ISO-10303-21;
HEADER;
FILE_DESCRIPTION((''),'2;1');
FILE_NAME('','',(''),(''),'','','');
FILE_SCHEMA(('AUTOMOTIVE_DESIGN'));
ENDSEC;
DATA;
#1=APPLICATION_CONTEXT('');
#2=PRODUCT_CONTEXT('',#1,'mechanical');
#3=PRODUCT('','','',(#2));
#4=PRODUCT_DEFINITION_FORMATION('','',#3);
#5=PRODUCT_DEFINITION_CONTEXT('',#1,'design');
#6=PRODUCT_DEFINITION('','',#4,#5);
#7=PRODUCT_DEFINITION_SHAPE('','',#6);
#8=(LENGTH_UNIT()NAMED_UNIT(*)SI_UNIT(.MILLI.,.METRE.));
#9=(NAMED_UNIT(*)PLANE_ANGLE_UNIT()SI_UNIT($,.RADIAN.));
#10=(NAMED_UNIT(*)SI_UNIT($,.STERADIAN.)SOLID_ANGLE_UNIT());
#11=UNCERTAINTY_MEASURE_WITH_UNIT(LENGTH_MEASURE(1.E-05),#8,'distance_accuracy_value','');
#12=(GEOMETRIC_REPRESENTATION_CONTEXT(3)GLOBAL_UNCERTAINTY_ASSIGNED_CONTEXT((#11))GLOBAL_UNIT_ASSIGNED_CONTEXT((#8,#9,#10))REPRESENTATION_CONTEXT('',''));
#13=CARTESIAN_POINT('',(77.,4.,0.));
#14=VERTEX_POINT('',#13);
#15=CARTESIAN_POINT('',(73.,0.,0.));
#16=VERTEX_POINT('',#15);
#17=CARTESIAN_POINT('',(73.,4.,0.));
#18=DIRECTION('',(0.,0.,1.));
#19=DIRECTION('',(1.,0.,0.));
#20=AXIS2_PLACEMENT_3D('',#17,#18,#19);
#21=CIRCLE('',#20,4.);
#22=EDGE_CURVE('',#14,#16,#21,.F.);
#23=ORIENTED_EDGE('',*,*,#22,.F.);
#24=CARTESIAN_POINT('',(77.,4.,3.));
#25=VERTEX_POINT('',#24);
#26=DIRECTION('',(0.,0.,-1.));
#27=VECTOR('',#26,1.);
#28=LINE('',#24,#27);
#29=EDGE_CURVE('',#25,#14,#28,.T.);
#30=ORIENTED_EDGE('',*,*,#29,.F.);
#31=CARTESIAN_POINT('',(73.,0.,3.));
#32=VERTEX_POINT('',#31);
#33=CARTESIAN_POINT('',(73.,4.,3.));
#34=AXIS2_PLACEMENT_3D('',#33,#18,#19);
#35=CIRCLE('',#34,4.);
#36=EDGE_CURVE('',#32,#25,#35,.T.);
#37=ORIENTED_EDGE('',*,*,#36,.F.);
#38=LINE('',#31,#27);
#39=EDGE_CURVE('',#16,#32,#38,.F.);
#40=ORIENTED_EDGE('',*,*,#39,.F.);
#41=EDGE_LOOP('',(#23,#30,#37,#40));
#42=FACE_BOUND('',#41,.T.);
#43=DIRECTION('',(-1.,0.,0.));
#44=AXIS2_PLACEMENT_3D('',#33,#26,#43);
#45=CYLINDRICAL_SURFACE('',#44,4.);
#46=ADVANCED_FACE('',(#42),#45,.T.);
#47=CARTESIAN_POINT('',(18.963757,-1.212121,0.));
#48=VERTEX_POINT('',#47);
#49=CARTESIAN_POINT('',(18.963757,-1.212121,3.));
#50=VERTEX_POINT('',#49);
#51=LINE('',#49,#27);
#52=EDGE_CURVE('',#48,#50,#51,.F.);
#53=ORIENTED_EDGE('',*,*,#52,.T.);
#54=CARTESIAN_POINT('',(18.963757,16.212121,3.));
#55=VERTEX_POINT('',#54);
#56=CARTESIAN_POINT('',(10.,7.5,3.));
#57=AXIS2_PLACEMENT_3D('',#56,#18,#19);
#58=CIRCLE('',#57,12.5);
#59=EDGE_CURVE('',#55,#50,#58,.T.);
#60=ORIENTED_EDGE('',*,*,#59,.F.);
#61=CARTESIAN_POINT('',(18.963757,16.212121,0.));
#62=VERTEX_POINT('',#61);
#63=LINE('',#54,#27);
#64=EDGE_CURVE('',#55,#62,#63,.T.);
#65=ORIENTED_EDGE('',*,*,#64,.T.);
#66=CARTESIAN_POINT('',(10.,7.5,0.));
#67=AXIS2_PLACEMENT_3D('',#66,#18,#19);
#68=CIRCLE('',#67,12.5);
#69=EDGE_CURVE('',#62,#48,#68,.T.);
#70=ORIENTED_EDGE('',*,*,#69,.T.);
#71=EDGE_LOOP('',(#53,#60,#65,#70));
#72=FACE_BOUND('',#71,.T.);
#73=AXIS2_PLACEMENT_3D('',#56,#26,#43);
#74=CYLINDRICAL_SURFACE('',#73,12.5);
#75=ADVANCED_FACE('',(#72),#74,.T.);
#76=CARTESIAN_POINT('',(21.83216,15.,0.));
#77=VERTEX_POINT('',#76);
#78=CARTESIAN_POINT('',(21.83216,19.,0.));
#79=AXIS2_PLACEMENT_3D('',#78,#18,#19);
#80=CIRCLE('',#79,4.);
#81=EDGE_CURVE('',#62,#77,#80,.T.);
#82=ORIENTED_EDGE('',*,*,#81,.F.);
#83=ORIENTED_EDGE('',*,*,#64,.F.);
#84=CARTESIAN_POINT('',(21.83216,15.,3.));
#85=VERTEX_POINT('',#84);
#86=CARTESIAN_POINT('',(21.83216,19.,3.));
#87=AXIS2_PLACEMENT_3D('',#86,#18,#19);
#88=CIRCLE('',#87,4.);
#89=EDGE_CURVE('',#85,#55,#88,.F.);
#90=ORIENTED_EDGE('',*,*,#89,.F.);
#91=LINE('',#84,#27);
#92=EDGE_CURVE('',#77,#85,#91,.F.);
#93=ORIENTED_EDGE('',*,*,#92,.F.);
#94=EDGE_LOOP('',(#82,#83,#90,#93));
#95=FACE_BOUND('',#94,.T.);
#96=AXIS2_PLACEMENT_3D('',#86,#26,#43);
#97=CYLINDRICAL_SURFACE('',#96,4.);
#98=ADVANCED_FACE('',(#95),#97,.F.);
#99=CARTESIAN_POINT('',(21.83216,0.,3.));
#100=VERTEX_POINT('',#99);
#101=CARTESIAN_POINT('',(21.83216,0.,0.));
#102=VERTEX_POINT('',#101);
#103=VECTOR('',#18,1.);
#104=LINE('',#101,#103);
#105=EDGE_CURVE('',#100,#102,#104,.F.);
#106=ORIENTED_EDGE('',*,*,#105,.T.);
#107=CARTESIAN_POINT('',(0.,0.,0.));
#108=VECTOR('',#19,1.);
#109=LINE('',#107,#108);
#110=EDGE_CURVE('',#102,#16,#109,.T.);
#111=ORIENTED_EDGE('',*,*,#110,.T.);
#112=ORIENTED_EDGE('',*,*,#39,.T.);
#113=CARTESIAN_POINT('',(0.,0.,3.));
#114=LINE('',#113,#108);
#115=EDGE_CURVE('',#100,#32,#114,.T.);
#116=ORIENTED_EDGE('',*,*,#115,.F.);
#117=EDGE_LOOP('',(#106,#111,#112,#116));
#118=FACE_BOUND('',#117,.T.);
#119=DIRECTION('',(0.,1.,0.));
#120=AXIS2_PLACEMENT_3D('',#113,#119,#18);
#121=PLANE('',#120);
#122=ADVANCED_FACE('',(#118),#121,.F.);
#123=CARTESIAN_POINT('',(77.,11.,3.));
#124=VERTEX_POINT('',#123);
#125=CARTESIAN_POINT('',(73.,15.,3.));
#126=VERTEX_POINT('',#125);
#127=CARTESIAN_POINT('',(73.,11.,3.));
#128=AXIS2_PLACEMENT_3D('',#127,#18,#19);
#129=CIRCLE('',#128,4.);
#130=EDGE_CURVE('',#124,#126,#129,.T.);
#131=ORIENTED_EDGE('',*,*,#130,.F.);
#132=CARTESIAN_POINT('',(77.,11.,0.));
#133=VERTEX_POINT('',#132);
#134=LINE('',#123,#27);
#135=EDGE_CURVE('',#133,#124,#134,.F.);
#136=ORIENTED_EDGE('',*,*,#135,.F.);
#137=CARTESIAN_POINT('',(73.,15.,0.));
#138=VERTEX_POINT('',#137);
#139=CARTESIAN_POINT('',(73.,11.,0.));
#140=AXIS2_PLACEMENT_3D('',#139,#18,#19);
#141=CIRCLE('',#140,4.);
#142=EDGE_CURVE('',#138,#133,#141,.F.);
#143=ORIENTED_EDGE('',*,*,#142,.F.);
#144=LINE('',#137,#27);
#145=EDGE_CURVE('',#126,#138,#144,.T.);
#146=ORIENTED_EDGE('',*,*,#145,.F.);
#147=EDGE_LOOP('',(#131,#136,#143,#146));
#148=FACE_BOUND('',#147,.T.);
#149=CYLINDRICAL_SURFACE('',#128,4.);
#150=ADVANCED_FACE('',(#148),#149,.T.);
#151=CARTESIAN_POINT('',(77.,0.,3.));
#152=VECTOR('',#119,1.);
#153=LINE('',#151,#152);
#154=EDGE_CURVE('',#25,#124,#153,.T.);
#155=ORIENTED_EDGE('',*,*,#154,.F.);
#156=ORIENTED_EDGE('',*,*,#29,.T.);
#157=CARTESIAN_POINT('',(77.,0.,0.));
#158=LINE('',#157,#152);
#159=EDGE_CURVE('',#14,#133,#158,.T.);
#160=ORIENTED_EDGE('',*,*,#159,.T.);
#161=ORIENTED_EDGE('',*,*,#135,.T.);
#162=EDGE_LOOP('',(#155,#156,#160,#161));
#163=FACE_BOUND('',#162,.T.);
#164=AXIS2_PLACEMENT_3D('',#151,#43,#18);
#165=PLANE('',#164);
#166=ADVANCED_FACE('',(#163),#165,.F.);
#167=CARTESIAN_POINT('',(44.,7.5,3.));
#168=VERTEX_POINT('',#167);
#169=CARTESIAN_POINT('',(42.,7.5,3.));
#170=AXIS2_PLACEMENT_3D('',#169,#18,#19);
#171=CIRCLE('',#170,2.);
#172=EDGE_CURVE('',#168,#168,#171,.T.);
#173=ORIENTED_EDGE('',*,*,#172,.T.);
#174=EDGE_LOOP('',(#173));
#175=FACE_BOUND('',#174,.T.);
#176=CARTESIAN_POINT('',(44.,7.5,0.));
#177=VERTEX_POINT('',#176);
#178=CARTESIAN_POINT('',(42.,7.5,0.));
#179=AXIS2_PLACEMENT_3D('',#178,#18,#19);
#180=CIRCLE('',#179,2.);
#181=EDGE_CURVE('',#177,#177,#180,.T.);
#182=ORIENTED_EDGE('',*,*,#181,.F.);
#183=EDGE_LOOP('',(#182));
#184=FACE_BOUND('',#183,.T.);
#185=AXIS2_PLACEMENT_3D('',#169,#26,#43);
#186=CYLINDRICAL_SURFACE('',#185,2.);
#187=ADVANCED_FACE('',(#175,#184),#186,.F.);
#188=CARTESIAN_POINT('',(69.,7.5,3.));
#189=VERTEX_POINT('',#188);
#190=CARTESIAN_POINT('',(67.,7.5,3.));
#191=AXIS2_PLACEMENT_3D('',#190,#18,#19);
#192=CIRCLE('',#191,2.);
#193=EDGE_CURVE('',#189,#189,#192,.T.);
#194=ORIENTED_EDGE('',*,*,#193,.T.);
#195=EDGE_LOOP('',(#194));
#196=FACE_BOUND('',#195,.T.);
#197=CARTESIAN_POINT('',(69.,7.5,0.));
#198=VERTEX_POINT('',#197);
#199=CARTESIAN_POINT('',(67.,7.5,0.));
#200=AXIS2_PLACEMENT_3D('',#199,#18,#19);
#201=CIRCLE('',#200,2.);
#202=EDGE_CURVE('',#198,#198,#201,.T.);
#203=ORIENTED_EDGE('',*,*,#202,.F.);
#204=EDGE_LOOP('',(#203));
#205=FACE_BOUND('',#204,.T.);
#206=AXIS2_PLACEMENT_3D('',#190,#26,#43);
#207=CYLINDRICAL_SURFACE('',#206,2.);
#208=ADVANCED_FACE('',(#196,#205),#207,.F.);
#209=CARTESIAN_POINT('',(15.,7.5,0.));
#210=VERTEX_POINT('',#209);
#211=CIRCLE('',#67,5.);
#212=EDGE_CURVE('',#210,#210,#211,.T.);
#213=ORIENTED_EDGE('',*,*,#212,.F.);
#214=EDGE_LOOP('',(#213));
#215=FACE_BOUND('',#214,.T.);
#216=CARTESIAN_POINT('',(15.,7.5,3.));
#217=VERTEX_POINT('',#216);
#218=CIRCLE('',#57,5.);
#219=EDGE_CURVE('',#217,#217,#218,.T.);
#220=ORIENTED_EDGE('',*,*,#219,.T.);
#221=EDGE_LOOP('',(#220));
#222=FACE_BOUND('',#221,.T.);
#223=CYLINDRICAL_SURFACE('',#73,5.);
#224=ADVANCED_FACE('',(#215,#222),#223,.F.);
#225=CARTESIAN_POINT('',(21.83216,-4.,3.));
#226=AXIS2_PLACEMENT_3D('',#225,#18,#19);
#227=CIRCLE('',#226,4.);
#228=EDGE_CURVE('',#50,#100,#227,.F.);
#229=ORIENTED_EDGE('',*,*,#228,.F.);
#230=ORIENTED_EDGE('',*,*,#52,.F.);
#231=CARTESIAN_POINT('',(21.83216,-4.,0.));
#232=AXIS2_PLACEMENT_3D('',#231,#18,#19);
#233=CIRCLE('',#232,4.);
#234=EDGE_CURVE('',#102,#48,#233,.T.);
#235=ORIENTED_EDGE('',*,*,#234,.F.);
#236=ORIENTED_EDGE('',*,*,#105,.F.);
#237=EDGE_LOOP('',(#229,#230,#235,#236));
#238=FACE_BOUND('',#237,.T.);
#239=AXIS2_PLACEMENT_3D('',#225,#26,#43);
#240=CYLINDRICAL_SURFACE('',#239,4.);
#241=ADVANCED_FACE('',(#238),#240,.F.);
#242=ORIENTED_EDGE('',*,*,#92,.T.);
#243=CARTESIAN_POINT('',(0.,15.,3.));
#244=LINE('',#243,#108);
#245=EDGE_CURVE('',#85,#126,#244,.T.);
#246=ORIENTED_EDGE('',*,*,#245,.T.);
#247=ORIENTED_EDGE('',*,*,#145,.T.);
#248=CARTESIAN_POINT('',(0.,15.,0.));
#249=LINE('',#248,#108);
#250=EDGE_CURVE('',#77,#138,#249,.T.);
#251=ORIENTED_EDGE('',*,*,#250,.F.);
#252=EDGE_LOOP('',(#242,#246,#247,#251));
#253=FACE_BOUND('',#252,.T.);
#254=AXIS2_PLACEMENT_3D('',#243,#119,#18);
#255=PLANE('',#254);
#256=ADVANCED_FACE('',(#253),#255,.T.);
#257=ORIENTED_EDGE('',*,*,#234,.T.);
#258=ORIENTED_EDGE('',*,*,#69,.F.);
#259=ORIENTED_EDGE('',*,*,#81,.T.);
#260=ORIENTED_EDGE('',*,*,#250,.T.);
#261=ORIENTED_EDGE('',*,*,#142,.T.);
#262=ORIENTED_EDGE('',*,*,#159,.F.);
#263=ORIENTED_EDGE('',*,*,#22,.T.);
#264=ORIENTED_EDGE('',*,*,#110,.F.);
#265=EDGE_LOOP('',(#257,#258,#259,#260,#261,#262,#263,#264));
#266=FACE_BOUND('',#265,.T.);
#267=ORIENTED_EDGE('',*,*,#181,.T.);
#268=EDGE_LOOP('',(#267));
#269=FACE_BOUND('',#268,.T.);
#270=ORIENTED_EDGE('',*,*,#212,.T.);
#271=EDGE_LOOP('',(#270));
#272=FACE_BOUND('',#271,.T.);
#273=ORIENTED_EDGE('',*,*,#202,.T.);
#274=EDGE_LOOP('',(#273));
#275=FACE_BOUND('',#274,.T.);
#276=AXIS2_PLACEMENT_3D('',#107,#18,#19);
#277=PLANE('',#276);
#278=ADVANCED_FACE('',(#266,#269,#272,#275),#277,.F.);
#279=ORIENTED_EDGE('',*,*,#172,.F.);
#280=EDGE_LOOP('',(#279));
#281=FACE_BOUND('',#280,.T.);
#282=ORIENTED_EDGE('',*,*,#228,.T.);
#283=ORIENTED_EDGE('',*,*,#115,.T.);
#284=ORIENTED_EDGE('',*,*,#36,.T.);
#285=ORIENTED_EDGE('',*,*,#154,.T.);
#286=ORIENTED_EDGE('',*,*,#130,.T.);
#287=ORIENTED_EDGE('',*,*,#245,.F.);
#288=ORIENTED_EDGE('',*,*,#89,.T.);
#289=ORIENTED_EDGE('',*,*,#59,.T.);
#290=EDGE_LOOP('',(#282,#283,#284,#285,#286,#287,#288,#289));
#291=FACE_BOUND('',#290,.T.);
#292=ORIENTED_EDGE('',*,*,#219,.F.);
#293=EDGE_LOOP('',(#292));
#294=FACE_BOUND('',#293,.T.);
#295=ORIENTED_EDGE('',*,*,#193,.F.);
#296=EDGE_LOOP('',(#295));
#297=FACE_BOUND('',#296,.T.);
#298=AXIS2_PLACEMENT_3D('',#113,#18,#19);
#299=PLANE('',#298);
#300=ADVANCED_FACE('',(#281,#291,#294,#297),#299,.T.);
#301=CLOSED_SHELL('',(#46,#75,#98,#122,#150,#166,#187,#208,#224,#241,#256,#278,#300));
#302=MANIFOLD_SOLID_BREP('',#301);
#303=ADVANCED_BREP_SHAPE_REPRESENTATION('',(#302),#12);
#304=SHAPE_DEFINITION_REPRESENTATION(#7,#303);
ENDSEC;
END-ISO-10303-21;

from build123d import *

# Parameters (mm, degrees)
SKETCH1_R           = 5
SKETCH1_R_2         = 2
BOSS_EXTRUDE1_DEPTH = 3
FILLET2_R           = 4


with BuildPart() as part:
    # Sketch1 → Boss-Extrude1 (new body)
    with BuildSketch(Plane.XY):
        with BuildLine():
            Line((20, 0), (77, 0))
            Line((77, 0), (77, 15))
            Line((77, 15), (20, 15))
            ThreePointArc((20, 15), (-2.5, 7.5), (20, 0))
        make_face()
        with Locations((10, 7.5)):
            Circle(SKETCH1_R, mode=Mode.SUBTRACT)
        with Locations((67, 7.5)):
            Circle(SKETCH1_R_2, mode=Mode.SUBTRACT)
        with Locations((42, 7.5)):
            Circle(SKETCH1_R_2, mode=Mode.SUBTRACT)
    extrude(amount=BOSS_EXTRUDE1_DEPTH)

    # Fillet2
    fillet2_edges = [part.edges().sort_by_distance(p)[0] for p in [
        (20, 15, 1.5),
        (77, 15, 1.5),
        (77, 0, 1.5),
        (20, 0, 1.5),
    ]]
    fillet(fillet2_edges, radius=FILLET2_R)


solid = part.part
